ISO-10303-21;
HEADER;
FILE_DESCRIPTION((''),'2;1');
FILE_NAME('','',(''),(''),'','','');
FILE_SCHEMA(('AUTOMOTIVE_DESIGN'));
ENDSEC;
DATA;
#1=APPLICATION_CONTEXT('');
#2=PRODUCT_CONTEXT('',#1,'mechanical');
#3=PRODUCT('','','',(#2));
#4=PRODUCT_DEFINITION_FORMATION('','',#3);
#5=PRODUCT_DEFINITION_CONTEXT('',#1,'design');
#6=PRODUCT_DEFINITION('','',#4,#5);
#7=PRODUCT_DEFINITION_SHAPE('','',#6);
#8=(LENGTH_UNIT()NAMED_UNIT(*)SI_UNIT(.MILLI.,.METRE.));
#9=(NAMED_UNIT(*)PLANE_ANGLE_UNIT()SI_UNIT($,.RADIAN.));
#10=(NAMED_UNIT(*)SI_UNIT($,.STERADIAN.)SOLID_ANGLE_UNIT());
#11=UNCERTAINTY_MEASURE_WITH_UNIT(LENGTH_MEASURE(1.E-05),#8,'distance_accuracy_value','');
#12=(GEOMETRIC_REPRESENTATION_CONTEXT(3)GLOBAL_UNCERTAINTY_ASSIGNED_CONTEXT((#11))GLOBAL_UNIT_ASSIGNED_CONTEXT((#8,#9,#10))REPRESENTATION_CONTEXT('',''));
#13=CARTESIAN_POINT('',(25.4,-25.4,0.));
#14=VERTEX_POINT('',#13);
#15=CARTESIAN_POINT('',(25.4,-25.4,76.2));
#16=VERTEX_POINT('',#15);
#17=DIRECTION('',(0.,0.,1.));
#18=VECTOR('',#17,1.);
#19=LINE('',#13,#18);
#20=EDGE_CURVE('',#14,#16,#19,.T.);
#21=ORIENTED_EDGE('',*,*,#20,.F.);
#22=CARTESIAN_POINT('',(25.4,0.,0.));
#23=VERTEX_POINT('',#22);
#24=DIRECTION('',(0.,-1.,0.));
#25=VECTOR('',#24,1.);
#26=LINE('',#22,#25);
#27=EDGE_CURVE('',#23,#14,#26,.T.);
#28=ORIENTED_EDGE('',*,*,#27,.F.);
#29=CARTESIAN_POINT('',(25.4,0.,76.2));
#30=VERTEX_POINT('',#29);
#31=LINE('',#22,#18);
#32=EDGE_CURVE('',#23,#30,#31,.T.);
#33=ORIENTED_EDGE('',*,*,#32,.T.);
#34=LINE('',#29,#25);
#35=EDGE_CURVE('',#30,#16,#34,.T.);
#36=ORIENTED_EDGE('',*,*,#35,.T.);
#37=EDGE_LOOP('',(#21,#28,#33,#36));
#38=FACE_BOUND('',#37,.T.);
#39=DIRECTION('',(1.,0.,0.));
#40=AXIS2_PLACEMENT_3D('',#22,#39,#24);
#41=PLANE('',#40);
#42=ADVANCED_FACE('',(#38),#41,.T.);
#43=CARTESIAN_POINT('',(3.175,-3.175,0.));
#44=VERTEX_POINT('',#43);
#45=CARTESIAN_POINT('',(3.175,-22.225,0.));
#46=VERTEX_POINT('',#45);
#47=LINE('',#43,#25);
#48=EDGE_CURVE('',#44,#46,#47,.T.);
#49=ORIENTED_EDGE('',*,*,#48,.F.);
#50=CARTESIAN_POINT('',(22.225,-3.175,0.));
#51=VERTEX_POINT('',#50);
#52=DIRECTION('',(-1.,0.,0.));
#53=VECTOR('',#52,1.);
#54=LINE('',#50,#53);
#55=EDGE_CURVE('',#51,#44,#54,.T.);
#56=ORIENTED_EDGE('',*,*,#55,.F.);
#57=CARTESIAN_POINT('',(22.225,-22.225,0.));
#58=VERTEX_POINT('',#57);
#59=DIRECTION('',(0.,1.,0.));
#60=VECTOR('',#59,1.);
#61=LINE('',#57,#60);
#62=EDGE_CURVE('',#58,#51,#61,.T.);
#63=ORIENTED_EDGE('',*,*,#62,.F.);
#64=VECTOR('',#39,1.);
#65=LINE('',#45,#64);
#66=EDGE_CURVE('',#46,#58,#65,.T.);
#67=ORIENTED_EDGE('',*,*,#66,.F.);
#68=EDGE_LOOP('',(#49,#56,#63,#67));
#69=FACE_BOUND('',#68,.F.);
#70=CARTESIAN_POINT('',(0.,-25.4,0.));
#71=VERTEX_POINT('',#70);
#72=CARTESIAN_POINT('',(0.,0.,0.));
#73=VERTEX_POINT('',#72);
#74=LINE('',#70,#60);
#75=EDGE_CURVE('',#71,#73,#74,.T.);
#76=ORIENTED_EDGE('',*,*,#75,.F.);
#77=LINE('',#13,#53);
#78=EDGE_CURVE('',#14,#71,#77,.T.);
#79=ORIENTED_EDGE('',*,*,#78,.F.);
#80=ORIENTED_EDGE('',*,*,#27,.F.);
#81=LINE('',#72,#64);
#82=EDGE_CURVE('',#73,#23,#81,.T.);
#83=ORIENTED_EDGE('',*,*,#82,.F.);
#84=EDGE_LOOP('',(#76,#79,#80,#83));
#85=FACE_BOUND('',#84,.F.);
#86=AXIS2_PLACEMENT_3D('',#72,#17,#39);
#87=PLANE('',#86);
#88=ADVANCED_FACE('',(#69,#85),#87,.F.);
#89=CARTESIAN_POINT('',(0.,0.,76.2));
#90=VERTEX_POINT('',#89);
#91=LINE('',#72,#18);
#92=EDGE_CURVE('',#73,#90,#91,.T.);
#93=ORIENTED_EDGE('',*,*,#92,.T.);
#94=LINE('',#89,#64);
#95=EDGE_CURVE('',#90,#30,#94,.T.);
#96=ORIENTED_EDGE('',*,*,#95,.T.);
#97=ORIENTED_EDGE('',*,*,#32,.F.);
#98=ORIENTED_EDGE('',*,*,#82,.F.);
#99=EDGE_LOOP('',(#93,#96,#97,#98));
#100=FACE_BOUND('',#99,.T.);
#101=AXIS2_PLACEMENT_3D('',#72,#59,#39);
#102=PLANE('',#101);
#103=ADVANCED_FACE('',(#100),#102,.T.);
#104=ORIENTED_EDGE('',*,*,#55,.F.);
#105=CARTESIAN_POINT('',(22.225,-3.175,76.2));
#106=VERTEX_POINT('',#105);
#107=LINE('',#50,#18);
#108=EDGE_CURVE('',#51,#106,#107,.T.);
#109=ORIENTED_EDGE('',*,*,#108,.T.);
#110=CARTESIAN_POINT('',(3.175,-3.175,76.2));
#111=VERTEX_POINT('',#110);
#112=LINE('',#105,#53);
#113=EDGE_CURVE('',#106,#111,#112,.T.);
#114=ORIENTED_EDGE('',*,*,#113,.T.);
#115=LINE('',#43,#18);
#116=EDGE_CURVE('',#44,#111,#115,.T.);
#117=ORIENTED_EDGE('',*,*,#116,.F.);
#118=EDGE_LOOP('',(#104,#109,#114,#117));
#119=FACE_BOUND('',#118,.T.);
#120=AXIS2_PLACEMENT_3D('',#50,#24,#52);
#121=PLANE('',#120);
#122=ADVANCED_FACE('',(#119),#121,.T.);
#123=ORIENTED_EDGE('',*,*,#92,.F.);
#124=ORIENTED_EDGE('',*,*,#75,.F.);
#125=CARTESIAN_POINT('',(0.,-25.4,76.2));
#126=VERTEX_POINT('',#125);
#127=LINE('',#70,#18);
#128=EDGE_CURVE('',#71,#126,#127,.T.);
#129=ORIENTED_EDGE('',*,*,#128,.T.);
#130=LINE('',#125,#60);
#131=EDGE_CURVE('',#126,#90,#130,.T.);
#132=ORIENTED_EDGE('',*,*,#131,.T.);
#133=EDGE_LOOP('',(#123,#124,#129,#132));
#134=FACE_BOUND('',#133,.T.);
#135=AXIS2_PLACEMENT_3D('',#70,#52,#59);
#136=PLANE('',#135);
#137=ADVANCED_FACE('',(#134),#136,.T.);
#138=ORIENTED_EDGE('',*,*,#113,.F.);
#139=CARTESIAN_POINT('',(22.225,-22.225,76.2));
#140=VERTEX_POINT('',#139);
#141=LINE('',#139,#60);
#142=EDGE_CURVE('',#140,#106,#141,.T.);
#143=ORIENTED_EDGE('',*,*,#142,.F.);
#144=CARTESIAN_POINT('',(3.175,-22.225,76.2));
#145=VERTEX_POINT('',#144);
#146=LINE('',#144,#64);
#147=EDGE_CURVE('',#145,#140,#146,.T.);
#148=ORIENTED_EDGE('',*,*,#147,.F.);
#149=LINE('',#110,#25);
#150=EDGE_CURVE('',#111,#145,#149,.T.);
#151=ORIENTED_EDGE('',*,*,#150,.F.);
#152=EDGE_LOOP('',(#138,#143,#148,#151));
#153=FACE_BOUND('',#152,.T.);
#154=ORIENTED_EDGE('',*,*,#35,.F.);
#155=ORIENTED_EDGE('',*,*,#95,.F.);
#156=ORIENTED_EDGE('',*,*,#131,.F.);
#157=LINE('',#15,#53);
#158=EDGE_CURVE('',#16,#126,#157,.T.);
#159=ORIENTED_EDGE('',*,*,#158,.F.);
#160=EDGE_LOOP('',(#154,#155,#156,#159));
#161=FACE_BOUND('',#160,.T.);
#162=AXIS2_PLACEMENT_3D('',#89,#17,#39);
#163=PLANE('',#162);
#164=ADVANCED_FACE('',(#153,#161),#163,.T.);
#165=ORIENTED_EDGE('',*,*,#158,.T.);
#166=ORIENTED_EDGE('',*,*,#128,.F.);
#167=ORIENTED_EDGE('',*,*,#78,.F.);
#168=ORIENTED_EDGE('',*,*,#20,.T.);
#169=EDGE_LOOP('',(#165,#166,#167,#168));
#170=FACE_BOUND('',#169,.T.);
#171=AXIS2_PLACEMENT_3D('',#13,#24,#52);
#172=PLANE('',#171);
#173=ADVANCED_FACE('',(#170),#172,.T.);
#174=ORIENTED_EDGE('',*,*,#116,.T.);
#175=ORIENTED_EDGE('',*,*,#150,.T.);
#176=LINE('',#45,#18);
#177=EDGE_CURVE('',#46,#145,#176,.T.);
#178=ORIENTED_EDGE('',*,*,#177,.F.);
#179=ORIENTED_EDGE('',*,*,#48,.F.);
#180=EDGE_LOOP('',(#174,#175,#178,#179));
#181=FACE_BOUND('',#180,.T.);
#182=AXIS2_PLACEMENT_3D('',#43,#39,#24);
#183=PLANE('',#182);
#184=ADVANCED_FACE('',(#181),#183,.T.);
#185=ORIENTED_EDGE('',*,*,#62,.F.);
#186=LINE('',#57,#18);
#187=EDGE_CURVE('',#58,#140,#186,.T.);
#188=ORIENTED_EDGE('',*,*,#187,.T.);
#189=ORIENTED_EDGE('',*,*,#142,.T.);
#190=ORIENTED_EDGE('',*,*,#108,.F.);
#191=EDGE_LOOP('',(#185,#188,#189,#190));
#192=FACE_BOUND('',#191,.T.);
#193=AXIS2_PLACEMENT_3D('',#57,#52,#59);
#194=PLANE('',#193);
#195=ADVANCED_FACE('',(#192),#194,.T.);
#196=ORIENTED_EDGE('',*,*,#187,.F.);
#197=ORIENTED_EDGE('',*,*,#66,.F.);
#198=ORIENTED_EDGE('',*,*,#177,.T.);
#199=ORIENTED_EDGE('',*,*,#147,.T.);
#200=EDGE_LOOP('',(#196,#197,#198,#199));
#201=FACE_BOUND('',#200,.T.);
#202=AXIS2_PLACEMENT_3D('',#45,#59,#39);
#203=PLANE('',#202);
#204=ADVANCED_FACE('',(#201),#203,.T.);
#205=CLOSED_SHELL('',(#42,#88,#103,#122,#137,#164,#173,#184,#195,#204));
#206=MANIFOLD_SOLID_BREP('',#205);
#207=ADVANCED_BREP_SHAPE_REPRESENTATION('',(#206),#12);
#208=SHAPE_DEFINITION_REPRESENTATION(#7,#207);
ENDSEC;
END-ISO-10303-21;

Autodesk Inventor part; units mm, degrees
ref_plane "YZ Plane" through (0, 0, 0) normal (1, 0, 0) x (0, 1, 0)
ref_plane "XZ Plane" through (0, 0, 0) normal (0, 1, 0) x (-1, 0, 0)
ref_plane "XY Plane" through (0, 0, 0) normal (0, 0, 1) x (1, 0, 0)
sketch "Sketch1" plane through (0, 0, 0) normal (0, 1, 0) x (-1, 0, 0)
  point P0 (0, 0)
sketch "Sketch2" plane through (0, 0, 0) normal (0, 0, 1) x (1, 0, 0)
  line L0 (0, 0) -> (25.4, 0)
  line L1 (25.4, 0) -> (25.4, -25.4)
  line L2 (25.4, -25.4) -> (0, -25.4)
  line L3 (0, -25.4) -> (0, 0)
  line L4 (22.225, -3.175) -> (3.175, -3.175)
  line L5 (3.175, -3.175) -> (3.175, -22.225)
  line L6 (3.175, -22.225) -> (22.225, -22.225)
  line L7 (22.225, -22.225) -> (22.225, -3.175)
  dimension "d0" = 25.4
  dimension "d1" = 25.4
  dimension "d2" = 3.175
extrude "Extrusion1" add sketch "Sketch2" along normal blind 76.2
properties part number "Flap Lift" material "Aluminum 6061"
